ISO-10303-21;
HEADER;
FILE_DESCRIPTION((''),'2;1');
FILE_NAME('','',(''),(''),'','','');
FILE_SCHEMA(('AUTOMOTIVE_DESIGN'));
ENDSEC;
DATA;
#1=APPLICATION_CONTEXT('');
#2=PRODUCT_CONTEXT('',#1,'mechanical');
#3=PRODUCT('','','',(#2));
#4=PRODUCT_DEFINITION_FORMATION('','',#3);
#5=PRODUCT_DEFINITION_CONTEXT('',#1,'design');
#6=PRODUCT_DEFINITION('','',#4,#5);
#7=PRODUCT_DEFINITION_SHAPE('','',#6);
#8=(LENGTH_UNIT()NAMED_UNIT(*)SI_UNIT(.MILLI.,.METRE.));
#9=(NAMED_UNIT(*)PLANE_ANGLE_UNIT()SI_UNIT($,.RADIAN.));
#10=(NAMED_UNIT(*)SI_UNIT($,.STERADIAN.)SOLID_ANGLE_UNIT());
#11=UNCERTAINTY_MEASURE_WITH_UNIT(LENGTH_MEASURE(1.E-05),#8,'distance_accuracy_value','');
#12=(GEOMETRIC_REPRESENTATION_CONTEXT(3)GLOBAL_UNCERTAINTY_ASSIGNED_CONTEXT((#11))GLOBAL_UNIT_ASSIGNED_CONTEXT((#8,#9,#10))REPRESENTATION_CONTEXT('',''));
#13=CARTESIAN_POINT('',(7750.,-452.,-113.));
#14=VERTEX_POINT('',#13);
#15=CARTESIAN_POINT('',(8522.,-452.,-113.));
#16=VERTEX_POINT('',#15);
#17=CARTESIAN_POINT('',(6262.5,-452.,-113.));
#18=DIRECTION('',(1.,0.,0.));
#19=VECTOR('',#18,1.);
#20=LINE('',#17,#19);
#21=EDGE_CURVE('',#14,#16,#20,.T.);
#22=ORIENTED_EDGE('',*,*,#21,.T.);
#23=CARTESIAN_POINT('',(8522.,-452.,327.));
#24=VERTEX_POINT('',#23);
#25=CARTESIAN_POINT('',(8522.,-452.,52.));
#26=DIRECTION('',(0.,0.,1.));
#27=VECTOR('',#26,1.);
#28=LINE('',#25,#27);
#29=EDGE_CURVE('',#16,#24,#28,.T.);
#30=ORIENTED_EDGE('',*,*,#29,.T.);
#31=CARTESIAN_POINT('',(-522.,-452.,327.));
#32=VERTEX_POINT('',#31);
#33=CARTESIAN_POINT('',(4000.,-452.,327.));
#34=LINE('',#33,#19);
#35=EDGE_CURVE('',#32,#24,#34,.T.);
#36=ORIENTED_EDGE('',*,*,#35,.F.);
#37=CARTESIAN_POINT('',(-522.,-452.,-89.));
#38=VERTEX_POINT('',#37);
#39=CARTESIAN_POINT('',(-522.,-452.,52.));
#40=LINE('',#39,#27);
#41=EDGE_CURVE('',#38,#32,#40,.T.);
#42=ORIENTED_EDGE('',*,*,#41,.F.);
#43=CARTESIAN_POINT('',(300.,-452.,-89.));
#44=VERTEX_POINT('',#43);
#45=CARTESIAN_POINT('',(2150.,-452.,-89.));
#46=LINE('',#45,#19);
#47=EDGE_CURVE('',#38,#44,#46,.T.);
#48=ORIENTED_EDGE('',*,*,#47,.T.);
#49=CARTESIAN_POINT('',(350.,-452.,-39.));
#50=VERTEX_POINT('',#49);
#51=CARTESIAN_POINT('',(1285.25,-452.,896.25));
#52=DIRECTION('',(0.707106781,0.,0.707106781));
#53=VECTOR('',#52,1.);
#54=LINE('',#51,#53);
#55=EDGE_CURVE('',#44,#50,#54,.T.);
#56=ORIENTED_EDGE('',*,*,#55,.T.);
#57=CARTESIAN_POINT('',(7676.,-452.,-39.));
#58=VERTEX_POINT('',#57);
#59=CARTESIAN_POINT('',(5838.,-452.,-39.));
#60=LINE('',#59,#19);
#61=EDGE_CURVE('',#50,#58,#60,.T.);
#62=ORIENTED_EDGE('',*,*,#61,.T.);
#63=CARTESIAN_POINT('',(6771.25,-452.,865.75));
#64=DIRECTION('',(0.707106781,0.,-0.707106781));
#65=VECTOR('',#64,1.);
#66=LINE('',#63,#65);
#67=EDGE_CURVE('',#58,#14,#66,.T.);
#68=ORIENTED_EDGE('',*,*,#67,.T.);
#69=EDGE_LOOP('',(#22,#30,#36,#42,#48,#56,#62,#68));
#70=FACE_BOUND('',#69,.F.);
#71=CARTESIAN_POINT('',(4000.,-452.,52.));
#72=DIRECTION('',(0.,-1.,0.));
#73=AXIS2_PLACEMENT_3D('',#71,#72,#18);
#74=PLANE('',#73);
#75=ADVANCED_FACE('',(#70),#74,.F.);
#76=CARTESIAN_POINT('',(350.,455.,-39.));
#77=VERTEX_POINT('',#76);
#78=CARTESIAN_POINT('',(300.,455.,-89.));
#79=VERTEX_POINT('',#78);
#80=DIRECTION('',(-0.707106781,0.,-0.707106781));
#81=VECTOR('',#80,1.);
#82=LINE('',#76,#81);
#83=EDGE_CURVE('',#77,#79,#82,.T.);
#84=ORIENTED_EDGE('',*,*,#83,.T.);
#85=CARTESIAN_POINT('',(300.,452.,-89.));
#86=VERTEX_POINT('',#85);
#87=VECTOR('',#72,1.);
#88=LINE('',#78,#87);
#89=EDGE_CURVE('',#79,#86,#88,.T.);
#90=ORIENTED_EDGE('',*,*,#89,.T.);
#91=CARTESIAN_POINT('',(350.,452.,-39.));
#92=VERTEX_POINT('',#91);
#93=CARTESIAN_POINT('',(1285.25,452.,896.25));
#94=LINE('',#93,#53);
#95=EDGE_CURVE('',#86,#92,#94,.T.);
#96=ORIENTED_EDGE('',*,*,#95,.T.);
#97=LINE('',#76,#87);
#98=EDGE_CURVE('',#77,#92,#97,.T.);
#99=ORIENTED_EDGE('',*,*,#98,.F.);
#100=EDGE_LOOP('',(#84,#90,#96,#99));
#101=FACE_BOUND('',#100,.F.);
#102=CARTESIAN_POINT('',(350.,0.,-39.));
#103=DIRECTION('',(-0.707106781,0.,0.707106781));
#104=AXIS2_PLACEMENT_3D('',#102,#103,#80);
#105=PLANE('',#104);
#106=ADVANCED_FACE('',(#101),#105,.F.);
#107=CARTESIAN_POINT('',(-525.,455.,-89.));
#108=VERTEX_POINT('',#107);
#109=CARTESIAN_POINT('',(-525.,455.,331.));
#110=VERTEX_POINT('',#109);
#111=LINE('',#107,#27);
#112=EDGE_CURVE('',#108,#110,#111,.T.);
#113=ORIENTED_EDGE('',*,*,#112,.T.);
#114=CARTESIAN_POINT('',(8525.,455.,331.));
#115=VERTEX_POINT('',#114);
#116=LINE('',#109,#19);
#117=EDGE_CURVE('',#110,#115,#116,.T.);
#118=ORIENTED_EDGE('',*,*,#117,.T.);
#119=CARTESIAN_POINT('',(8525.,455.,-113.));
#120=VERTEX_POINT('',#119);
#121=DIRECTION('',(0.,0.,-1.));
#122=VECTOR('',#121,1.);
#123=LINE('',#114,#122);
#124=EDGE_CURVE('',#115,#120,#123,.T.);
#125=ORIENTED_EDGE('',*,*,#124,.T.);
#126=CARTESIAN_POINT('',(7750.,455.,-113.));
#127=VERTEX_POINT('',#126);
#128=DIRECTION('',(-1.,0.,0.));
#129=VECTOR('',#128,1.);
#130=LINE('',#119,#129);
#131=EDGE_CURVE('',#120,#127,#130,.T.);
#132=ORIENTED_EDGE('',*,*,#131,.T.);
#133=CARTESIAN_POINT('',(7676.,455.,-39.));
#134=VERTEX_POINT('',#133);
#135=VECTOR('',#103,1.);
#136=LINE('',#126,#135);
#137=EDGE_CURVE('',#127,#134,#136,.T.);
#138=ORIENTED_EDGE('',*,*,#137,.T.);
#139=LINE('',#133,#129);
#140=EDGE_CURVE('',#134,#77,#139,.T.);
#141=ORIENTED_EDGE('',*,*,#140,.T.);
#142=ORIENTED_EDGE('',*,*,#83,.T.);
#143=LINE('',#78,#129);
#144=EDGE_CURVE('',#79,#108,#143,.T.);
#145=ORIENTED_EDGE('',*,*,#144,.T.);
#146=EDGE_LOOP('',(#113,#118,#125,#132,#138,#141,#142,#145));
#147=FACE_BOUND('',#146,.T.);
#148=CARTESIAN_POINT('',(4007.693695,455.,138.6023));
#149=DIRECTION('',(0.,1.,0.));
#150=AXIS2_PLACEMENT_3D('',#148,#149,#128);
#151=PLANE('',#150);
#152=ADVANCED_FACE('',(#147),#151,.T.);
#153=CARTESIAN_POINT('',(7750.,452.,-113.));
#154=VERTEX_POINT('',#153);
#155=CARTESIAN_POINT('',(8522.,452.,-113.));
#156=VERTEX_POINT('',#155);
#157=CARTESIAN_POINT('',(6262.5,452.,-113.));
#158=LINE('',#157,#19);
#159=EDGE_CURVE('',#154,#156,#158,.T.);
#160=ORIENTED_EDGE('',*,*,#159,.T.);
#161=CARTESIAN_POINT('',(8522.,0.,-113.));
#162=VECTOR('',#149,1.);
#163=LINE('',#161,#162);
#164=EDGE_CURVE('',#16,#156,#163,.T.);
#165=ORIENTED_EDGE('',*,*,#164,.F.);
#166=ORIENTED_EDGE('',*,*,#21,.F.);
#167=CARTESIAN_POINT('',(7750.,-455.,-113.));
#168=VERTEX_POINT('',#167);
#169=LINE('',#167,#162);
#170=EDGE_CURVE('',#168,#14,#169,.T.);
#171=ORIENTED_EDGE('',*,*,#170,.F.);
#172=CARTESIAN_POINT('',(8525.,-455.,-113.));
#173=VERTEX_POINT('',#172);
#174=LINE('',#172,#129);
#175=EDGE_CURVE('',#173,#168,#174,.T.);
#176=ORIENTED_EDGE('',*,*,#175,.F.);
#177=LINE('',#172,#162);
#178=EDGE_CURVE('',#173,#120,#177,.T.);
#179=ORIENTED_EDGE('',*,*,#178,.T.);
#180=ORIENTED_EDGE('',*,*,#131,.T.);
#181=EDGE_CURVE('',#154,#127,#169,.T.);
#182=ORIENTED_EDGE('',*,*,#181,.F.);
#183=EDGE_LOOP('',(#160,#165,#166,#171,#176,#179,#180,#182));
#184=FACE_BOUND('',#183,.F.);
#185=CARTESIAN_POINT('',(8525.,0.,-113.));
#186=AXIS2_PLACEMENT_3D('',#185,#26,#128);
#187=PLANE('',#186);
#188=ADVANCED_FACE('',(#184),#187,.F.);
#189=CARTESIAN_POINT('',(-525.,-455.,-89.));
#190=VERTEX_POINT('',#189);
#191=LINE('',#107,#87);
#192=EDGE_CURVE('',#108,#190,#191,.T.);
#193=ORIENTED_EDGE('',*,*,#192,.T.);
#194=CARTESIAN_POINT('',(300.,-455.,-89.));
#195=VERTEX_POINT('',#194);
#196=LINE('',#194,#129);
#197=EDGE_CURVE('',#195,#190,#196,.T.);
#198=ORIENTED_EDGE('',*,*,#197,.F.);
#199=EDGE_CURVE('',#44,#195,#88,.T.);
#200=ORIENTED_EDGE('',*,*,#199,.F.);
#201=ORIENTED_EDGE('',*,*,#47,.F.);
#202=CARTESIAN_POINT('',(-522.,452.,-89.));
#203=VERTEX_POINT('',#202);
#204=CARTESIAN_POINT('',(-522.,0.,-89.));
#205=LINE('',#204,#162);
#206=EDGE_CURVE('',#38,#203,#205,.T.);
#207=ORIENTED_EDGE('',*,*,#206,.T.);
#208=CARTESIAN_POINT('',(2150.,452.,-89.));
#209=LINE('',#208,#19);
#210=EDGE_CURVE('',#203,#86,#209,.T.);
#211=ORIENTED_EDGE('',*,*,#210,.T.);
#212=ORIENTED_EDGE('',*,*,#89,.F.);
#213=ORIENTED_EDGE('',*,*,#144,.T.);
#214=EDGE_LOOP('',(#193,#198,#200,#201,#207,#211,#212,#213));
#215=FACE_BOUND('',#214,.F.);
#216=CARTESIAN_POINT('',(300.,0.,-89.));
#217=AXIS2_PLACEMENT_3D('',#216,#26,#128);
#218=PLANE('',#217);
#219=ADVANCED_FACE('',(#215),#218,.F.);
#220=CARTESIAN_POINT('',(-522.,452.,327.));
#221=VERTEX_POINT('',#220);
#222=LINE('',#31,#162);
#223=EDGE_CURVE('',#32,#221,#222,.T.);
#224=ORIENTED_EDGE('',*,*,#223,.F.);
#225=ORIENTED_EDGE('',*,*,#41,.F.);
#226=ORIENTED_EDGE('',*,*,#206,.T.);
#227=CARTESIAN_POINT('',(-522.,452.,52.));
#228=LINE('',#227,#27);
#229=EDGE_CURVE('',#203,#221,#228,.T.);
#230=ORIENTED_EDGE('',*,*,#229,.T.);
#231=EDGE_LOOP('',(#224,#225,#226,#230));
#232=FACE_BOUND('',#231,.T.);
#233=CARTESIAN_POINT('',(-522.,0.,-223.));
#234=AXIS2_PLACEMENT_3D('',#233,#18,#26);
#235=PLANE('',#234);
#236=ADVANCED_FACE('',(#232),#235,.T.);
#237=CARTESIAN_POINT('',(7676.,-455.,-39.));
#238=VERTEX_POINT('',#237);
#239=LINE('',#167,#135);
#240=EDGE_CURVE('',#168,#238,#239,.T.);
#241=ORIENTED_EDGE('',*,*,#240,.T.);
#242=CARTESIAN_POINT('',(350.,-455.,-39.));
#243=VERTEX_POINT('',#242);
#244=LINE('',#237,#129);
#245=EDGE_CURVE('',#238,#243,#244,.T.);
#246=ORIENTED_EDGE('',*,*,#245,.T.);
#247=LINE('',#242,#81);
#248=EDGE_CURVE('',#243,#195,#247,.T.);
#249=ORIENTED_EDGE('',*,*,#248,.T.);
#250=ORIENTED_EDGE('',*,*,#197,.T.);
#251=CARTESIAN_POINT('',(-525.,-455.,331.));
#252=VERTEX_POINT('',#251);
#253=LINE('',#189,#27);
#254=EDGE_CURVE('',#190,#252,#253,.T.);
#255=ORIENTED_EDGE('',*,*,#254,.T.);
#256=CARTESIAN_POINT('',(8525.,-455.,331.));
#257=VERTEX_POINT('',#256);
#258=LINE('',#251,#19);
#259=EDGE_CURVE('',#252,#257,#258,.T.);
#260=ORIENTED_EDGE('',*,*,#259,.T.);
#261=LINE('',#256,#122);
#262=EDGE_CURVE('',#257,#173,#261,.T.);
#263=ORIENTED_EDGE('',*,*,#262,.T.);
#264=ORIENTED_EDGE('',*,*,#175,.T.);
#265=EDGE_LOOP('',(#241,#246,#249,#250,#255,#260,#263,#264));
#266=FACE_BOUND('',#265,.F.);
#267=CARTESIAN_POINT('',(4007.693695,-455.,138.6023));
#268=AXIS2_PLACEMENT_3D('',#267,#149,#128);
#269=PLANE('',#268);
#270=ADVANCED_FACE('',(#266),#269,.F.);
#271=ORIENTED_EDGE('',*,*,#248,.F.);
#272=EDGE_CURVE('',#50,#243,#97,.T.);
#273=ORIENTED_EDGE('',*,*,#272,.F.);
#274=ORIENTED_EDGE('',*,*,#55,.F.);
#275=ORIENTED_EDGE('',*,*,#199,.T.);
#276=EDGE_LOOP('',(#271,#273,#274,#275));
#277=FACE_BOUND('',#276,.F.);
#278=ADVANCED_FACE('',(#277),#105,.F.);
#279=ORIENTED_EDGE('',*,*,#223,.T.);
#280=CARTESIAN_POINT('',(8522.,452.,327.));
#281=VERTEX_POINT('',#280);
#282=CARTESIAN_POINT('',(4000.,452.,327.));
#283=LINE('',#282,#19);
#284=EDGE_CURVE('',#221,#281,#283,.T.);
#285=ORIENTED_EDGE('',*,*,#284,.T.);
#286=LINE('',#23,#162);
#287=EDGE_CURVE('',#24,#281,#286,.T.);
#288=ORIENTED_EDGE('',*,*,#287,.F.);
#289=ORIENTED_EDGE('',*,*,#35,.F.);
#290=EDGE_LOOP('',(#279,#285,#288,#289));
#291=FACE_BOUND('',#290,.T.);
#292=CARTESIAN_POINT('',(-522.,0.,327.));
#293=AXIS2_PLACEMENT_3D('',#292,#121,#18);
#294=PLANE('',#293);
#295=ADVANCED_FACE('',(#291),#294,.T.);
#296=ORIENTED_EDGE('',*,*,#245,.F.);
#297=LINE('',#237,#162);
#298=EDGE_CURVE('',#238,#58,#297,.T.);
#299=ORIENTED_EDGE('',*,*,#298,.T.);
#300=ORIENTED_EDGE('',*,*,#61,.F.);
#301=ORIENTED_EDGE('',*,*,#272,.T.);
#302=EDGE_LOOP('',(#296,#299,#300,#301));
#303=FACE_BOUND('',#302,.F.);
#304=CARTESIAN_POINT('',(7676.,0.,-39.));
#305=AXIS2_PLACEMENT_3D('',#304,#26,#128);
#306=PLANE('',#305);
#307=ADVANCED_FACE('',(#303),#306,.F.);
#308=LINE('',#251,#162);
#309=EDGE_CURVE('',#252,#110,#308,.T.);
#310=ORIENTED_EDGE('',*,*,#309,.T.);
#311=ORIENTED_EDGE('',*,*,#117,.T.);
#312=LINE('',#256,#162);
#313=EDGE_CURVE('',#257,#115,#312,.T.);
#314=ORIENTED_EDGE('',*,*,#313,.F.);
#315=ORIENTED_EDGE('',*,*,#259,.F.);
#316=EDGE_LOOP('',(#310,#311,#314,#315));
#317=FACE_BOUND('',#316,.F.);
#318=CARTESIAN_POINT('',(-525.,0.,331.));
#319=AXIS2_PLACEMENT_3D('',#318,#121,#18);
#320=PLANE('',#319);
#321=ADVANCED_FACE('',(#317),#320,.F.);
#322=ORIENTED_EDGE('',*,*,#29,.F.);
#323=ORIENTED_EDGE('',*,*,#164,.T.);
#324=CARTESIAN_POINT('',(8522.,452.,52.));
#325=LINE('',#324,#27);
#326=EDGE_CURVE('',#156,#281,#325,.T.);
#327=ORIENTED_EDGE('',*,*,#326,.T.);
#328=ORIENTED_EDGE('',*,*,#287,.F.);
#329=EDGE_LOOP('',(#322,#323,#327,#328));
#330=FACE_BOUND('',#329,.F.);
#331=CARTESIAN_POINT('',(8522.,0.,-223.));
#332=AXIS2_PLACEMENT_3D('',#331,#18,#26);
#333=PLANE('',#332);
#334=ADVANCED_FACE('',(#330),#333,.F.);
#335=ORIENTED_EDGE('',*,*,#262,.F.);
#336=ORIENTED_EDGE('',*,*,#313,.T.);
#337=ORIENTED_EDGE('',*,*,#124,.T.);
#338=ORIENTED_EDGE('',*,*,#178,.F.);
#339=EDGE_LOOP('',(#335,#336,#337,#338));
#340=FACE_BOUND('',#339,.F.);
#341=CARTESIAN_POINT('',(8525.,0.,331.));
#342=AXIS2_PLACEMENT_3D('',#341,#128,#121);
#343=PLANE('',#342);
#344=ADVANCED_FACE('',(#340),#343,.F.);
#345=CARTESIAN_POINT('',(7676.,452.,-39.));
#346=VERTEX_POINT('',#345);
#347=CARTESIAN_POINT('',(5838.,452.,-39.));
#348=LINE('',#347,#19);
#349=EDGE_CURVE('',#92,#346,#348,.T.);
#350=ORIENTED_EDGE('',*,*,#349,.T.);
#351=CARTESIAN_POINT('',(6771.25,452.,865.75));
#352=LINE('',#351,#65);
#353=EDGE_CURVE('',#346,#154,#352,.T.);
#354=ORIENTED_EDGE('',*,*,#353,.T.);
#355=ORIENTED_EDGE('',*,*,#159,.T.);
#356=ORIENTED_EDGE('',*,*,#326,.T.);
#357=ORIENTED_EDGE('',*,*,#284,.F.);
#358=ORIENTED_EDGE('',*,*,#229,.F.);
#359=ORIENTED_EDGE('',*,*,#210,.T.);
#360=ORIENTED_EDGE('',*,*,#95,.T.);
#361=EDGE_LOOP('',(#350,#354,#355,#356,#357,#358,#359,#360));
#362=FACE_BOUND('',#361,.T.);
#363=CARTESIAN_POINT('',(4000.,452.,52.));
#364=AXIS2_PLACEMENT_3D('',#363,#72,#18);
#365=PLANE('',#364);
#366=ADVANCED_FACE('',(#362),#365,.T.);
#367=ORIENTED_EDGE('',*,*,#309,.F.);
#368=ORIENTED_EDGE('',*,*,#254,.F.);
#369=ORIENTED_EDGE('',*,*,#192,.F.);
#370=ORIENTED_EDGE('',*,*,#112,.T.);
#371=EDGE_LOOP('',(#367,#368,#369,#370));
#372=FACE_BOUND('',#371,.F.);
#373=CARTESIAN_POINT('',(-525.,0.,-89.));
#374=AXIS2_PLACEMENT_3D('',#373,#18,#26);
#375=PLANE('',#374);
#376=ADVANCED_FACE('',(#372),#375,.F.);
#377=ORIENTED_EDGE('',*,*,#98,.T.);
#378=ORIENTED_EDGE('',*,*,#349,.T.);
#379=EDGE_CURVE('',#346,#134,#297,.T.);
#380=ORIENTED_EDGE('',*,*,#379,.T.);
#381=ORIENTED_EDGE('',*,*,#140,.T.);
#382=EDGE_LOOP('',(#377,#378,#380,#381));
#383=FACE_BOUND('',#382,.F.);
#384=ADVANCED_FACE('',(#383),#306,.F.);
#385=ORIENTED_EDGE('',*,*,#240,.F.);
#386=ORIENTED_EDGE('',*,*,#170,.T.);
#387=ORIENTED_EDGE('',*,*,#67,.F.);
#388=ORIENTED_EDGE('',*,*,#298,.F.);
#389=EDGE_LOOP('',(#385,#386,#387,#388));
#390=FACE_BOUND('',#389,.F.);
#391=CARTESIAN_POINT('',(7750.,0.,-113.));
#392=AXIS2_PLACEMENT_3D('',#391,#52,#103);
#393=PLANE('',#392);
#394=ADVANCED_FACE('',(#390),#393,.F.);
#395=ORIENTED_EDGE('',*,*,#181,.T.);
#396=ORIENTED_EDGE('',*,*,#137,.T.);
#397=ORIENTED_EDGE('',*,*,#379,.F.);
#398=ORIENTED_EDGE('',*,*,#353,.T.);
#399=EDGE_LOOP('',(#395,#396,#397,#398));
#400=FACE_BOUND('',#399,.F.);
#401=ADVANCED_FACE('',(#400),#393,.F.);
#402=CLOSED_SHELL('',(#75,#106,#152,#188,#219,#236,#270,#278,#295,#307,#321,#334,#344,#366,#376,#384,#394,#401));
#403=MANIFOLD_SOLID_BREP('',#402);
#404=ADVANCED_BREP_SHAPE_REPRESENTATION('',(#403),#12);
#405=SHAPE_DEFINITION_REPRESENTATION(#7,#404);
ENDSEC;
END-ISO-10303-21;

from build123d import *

# Parameters (mm, degrees)
SKETCH030_W      = 9044
SKETCH030_H      = 550
EXTRUDE028_DEPTH = 452
EXTRUDE025_DEPTH = 455


with BuildPart() as extrude028:
    # Sketch030 → Extrude028 (new body, symmetric)
    with BuildSketch(Plane.XZ):
        with Locations((4000, 52)):
            Rectangle(SKETCH030_W, SKETCH030_H)
    extrude(amount=EXTRUDE028_DEPTH, both=True)


with BuildPart() as cut:
    # Sketch → Extrude025 (new body, symmetric)
    with BuildSketch(Plane.XZ):
        Polygon((-525, -89), (-525, 331), (8525, 331), (8525, -113), (7750, -113), (7676, -39), (350, -39), (300, -89), align=None)
    extrude(amount=EXTRUDE025_DEPTH, both=True)

    # Cut: cut Extrude028
    add(extrude028.part, mode=Mode.SUBTRACT)


solid = cut.part
